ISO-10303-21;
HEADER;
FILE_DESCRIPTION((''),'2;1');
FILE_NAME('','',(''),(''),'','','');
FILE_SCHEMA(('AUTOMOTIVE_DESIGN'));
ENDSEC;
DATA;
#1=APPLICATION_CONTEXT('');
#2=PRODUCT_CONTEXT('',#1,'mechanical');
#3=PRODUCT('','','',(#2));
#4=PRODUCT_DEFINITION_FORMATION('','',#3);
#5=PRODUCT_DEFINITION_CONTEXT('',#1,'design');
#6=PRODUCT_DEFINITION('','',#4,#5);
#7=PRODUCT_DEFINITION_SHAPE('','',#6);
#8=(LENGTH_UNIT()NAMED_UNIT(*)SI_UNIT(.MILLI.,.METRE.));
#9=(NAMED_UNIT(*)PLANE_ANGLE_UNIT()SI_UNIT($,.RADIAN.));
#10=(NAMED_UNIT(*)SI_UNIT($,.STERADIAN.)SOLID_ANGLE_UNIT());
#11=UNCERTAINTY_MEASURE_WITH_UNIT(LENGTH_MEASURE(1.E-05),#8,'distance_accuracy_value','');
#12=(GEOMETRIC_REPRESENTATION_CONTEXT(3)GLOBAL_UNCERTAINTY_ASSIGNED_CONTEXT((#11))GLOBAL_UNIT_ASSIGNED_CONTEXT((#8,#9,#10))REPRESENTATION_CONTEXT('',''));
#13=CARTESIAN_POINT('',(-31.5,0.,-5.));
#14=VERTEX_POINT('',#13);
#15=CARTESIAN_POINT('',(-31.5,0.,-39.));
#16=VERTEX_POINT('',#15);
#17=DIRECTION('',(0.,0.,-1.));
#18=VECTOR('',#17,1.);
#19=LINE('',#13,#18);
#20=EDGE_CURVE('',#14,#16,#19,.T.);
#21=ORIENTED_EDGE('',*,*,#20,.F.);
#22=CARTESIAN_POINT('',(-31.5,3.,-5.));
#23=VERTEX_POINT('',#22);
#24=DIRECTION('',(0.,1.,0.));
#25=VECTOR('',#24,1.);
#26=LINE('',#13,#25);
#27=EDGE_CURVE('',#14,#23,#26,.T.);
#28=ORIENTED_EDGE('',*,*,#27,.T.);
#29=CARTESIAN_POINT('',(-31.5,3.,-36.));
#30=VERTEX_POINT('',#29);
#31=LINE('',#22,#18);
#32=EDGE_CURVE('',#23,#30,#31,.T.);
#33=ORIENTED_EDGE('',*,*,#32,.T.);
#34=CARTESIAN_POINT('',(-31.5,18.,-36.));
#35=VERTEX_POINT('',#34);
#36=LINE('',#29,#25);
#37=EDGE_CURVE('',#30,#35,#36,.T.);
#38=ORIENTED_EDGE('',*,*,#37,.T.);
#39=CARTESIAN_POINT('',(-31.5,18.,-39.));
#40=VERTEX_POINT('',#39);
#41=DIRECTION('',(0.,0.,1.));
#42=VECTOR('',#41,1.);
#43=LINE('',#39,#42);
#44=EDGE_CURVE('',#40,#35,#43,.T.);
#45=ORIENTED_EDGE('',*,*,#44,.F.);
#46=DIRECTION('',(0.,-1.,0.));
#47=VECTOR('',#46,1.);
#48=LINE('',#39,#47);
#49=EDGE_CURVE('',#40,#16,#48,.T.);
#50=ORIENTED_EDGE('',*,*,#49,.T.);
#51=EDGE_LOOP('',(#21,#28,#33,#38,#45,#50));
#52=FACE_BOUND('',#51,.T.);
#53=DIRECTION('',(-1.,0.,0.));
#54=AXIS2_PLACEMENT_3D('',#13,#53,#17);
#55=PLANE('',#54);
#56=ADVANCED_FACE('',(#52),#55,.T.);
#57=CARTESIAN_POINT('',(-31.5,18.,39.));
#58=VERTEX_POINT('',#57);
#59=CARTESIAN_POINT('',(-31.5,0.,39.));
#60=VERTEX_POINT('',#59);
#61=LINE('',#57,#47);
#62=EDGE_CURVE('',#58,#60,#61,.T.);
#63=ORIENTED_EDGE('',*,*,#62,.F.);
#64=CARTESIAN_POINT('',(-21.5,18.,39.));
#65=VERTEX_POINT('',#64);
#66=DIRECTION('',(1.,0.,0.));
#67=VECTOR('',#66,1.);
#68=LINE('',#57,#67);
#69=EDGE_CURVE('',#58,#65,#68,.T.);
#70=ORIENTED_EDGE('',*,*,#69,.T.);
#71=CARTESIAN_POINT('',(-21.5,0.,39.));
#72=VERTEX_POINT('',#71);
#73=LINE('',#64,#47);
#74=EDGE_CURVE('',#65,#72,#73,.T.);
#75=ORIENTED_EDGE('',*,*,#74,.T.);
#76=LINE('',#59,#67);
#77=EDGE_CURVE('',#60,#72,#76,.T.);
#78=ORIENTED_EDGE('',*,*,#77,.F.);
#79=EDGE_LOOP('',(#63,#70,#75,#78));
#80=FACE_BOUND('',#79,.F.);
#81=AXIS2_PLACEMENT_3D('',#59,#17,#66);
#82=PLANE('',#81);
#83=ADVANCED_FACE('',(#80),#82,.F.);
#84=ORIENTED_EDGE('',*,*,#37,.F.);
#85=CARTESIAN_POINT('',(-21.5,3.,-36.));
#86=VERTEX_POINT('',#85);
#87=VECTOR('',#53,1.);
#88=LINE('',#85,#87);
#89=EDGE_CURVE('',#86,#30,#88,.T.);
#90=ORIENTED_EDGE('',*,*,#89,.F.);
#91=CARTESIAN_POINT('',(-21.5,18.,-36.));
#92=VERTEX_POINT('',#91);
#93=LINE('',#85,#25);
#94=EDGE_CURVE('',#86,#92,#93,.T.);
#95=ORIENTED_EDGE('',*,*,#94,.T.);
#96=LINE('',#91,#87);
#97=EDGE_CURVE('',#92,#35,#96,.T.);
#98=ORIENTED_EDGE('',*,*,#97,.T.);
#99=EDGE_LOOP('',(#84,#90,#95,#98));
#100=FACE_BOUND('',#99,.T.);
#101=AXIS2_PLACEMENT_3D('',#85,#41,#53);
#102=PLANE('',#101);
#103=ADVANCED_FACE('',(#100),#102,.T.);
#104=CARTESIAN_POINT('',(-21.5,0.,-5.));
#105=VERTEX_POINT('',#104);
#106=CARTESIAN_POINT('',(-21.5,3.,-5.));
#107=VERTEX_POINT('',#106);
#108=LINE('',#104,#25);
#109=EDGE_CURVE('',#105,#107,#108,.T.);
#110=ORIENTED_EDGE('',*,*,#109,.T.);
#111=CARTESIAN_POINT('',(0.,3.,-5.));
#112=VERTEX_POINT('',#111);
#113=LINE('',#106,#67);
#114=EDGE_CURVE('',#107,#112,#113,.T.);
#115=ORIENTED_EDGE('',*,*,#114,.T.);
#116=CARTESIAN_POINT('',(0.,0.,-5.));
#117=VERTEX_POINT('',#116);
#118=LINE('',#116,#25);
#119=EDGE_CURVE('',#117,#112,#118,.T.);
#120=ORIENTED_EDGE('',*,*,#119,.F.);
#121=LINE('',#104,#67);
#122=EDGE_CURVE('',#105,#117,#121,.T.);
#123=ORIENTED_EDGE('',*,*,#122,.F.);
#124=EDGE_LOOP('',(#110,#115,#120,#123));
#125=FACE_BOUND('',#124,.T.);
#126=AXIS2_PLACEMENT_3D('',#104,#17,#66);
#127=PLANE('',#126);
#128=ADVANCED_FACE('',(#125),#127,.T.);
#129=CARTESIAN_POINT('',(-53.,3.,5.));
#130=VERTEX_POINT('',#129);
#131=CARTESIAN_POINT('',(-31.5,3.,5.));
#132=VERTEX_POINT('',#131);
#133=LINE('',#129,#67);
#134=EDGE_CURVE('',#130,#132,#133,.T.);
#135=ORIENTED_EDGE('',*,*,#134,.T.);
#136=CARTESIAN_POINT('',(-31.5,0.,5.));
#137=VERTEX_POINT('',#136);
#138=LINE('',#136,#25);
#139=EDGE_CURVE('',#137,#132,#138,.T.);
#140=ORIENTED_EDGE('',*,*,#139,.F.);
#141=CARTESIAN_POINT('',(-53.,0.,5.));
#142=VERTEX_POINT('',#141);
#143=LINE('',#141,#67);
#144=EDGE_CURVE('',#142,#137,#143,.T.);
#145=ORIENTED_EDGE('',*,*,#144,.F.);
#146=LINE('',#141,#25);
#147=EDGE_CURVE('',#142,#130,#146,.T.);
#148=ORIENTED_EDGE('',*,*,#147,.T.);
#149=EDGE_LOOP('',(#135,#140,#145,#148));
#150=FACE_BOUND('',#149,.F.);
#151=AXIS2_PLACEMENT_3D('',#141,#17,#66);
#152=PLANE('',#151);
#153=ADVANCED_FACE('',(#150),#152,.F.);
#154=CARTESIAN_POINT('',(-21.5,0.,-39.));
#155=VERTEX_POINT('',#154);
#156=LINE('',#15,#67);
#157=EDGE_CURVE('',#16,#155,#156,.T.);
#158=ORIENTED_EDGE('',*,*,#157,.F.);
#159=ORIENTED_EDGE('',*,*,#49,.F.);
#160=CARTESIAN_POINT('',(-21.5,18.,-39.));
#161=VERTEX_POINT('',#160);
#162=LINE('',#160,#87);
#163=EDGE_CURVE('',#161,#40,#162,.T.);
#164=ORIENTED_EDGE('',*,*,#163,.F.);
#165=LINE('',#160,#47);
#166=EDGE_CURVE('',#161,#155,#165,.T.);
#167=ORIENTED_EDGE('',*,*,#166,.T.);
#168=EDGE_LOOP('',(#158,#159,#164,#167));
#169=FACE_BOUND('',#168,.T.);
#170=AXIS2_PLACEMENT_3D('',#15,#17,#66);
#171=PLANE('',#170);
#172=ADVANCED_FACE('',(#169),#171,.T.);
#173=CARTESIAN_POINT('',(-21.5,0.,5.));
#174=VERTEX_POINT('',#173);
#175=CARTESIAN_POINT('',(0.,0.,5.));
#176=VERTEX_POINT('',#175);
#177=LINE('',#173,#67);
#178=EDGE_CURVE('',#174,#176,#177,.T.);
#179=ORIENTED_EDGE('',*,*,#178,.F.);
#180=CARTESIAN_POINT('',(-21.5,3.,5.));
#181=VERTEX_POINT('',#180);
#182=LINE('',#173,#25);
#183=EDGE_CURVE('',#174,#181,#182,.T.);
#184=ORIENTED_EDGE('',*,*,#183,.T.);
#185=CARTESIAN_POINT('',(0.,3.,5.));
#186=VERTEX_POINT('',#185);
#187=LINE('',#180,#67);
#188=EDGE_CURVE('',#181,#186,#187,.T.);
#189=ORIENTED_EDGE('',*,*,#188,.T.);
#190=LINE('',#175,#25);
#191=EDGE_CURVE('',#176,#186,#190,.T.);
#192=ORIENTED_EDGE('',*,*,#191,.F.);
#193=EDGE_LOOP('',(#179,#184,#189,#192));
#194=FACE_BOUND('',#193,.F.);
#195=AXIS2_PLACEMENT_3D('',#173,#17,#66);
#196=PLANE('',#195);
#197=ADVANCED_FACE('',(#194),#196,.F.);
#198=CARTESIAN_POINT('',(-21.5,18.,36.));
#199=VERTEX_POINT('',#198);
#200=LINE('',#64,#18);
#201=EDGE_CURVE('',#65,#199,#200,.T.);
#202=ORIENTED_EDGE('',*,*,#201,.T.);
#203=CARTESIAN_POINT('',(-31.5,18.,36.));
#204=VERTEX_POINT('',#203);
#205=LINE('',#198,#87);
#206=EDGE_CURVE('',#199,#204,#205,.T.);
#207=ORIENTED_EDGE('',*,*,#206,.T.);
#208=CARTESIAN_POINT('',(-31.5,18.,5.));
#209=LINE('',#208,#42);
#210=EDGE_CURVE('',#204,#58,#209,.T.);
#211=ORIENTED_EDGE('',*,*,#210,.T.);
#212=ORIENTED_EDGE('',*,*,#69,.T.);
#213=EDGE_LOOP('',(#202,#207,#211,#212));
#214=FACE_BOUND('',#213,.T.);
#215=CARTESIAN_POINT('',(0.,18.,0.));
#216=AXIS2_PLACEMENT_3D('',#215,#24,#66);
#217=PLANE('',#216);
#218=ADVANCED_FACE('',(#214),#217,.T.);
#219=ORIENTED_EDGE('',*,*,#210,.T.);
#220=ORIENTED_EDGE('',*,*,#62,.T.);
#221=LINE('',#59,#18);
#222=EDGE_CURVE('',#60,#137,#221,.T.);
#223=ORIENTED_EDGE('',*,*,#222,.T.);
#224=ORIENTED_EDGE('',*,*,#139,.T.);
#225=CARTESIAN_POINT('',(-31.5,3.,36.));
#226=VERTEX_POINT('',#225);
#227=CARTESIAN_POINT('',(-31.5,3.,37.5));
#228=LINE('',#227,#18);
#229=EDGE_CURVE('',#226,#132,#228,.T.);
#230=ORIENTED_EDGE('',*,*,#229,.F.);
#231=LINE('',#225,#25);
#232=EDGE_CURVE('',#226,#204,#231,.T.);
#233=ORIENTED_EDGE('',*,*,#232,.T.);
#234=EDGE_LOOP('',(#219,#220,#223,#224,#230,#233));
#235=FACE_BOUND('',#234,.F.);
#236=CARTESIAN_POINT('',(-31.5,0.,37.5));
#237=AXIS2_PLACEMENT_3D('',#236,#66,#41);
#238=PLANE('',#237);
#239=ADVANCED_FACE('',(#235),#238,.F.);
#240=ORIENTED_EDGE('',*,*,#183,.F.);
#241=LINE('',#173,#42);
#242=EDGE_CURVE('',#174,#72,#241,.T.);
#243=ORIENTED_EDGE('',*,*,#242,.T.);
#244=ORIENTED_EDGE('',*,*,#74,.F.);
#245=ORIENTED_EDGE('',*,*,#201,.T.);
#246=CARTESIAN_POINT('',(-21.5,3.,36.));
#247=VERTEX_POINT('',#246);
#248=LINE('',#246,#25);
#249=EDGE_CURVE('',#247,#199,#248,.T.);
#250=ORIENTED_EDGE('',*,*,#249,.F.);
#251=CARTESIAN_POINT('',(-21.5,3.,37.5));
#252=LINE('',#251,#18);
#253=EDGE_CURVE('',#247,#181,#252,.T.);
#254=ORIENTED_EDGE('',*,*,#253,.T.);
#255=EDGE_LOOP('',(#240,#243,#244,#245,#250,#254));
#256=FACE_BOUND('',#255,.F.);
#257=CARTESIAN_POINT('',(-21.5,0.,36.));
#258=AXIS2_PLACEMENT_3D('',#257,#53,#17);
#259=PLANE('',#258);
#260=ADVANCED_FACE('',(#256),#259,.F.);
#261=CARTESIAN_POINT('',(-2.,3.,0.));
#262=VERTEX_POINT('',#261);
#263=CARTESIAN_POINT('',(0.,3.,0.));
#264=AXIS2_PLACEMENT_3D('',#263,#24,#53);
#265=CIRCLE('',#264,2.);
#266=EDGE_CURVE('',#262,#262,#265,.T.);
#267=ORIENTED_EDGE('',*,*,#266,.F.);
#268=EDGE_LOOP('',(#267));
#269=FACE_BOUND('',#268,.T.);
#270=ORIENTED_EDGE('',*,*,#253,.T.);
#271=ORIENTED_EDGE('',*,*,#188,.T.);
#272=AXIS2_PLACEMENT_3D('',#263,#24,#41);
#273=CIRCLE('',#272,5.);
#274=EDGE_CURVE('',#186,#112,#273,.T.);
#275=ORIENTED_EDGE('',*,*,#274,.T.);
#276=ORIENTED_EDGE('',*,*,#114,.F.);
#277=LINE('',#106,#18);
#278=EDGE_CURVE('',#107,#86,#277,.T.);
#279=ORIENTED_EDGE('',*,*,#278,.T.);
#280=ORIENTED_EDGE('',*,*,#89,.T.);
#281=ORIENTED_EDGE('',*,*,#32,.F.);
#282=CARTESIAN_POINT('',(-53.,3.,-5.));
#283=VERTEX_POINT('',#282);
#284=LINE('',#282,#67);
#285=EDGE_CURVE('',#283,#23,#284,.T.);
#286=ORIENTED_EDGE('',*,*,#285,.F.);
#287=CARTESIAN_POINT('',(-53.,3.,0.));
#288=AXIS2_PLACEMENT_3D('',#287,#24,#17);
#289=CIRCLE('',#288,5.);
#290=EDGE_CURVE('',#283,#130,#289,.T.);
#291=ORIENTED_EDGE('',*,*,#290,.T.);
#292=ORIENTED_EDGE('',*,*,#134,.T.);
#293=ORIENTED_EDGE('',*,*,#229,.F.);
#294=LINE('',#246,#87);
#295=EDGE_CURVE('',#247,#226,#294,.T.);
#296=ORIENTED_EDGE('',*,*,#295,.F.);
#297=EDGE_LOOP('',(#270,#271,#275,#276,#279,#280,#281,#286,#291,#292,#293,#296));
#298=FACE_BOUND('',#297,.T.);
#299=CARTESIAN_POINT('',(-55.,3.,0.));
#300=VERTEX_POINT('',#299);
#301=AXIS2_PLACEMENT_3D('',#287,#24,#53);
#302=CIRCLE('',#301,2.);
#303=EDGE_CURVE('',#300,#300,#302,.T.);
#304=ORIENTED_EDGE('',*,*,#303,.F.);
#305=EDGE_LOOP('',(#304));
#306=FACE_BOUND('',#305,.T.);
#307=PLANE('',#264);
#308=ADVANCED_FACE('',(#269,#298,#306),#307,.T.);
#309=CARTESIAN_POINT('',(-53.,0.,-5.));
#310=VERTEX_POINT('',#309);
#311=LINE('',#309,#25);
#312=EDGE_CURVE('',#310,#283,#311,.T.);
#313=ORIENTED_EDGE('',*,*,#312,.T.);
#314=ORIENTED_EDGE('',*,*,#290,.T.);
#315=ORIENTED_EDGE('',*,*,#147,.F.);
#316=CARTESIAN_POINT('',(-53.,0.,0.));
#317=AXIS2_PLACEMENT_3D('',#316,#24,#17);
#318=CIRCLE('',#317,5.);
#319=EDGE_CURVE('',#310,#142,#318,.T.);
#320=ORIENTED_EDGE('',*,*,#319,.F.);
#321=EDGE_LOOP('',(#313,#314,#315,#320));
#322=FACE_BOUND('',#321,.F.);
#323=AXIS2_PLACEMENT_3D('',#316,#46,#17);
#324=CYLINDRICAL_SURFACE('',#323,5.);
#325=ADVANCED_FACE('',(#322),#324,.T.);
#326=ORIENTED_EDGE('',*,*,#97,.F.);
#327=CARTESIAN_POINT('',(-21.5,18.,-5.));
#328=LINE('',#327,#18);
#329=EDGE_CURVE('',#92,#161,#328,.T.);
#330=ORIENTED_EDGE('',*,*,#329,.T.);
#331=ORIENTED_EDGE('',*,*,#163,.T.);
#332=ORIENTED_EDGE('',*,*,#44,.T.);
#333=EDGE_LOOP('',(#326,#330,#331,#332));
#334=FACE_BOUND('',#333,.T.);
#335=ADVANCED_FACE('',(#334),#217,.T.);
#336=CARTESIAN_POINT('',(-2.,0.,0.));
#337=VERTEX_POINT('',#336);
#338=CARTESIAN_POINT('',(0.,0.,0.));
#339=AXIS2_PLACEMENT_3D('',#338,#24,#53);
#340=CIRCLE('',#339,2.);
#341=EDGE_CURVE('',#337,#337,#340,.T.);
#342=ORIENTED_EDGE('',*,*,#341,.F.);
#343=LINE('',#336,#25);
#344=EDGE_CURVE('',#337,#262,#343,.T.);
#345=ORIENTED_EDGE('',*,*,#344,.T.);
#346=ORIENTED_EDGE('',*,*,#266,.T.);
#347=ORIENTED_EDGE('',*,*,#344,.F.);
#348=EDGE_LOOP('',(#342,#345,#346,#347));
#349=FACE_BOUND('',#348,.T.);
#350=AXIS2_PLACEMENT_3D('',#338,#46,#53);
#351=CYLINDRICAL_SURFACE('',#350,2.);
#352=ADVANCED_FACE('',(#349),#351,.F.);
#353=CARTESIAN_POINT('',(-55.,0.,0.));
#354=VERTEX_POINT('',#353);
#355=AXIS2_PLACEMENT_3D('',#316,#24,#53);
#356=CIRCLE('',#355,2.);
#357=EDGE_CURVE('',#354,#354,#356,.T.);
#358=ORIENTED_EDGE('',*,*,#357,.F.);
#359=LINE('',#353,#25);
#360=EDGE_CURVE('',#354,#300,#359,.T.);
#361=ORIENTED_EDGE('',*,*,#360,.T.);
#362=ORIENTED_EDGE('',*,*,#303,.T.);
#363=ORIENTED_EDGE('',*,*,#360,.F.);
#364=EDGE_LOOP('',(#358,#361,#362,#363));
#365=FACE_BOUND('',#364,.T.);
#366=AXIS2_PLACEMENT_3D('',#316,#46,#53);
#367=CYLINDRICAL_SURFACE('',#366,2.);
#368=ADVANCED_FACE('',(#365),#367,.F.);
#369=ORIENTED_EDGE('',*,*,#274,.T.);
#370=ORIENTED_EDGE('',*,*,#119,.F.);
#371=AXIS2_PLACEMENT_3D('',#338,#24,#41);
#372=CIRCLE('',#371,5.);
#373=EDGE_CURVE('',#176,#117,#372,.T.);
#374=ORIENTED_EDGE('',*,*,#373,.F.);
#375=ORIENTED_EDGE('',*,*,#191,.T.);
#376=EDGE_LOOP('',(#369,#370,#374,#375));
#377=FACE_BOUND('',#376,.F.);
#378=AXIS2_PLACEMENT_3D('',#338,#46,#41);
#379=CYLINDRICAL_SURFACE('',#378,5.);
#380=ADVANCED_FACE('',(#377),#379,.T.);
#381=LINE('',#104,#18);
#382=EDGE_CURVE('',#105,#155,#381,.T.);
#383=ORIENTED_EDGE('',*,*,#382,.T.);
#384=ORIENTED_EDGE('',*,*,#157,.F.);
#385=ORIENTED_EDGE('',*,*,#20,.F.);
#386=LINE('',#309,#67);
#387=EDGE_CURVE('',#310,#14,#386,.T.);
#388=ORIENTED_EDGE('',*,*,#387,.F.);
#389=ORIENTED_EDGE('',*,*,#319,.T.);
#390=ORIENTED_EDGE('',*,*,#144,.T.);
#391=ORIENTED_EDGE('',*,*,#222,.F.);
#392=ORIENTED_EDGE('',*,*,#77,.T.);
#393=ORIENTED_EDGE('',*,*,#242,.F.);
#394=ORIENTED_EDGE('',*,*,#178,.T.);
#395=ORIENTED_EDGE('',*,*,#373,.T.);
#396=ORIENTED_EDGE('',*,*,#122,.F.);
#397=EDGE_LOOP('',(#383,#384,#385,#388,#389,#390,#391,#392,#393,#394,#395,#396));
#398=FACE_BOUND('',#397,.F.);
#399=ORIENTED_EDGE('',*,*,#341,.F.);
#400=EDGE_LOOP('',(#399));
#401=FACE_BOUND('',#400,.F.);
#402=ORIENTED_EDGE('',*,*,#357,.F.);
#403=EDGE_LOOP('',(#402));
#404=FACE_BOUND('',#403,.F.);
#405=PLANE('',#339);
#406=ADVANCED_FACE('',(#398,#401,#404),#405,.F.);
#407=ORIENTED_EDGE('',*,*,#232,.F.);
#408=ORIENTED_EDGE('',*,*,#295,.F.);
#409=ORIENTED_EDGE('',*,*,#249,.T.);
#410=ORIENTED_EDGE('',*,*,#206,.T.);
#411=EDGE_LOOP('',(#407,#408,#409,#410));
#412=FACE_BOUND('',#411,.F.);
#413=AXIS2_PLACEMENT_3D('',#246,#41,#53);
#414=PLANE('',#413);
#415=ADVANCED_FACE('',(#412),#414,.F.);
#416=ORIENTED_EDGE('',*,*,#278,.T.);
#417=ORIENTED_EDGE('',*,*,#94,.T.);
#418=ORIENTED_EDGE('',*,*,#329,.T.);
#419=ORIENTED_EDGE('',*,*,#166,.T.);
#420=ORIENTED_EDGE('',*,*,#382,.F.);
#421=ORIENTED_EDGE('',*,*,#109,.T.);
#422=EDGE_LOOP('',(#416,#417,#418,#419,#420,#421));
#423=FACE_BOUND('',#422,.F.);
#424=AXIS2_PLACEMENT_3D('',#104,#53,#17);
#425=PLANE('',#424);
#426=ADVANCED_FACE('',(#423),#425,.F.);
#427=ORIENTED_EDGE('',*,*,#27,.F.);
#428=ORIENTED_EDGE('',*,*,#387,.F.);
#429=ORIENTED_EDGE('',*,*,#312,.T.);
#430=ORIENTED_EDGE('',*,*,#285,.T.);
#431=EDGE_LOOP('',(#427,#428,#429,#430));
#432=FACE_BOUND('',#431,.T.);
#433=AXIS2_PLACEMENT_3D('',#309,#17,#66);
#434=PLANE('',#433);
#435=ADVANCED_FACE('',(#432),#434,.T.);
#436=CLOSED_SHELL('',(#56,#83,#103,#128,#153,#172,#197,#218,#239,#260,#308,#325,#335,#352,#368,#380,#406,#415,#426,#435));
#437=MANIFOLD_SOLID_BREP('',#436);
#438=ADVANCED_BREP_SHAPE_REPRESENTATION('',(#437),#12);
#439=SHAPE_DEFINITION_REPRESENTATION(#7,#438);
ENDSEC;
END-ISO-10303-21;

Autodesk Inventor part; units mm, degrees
ref_plane "YZ Plane" through (0, 0, 0) normal (1, 0, 0) x (0, 1, 0)
ref_plane "XZ Plane" through (0, 0, 0) normal (0, 1, 0) x (-1, 0, 0)
ref_plane "XY Plane" through (0, 0, 0) normal (0, 0, 1) x (1, 0, 0)
sketch "Sketch1" plane through (0, 0, 0) normal (0, 1, 0) x (-1, 0, 0)
  circle A0 centre (0, 0) radius 2
  circle A1 centre (53, 0) radius 2
  arc A2 (53, -5) -> (53, 5) centre (53, 0) ccw
  arc A3 (0, 5) -> (0, -5) centre (0, 0) ccw
  line L0 (31.5, 37.5) -> (31.5, 5)
  line L1 (31.5, -5) -> (31.5, -39)
  line L2 (21.5, 37.5) -> (21.5, 5)
  line L3 (21.5, -5) -> (21.5, -39)
  line L4 (31.5, 39) -> (21.5, 39)
  line L5 (21.5, 39) -> (21.5, 36)
  line L6 (31.5, 36) -> (31.5, 39)
  line L7 (31.5, -39) -> (21.5, -39)
  line L8 (53, 5) -> (31.5, 5)
  line L9 (21.5, 5) -> (0, 5)
  line L10 (53, -5) -> (31.5, -5)
  line L11 (21.5, -5) -> (0, -5)
  dimension "d0" = 4
  dimension "d1" = 4
  dimension "d2" = 10
  dimension "d3" = 10
  dimension "d8" = 3
extrude "Extrusion1" add sketch "Sketch1" along normal blind 3
sketch "Sketch2" plane through (0, 3, 0) normal (0, 1, 0) x (1, 0, 0)
  circle A0 centre (-53, 0) radius 2 projected
  circle A1 centre (0, 0) radius 2 projected
  line L0 (-53, -5) -> (-31.5, -5) projected
  line L1 (-31.5, -5) -> (-31.5, -39) projected
  line L2 (-31.5, -39) -> (-21.5, -39) projected
  line L3 (-21.5, -39) -> (-21.5, -5) projected
  line L4 (-21.5, -5) -> (0, -5) projected
  arc A2 (0, -5) -> (0, 5) centre (0, 0) ccw projected
  line L5 (0, 5) -> (-21.5, 5) projected
  line L6 (-21.5, 5) -> (-21.5, 39) projected
  line L7 (-21.5, 39) -> (-31.5, 39) projected
  line L8 (-31.5, 39) -> (-31.5, 5) projected
  line L9 (-31.5, 5) -> (-53, 5) projected
  arc A3 (-53, 5) -> (-53, -5) centre (-53, 0) ccw projected
  line L10 (-21.5, 5) -> (-21.5, 39) projected
  line L11 (-31.5, 39) -> (-21.5, 39)
  line L12 (-21.5, 39) -> (-21.5, 36)
  line L13 (-21.5, 36) -> (-31.5, 36)
  line L14 (-31.5, 36) -> (-31.5, 39)
  line L15 (-21.5, -39) -> (-21.5, -5) projected
  line L16 (-31.5, -39) -> (-21.5, -39)
  line L17 (-21.5, -39) -> (-21.5, -36)
  line L18 (-21.5, -36) -> (-31.5, -36)
  line L19 (-31.5, -36) -> (-31.5, -39)
  dimension "d11" = 3
  dimension "d12" = 3
extrude "Extrusion2" add sketch "Sketch2" along normal blind 15 contours L18 L3 L2 L1 | L8 L7 L6 L13
properties part number "Battery Restraint"
